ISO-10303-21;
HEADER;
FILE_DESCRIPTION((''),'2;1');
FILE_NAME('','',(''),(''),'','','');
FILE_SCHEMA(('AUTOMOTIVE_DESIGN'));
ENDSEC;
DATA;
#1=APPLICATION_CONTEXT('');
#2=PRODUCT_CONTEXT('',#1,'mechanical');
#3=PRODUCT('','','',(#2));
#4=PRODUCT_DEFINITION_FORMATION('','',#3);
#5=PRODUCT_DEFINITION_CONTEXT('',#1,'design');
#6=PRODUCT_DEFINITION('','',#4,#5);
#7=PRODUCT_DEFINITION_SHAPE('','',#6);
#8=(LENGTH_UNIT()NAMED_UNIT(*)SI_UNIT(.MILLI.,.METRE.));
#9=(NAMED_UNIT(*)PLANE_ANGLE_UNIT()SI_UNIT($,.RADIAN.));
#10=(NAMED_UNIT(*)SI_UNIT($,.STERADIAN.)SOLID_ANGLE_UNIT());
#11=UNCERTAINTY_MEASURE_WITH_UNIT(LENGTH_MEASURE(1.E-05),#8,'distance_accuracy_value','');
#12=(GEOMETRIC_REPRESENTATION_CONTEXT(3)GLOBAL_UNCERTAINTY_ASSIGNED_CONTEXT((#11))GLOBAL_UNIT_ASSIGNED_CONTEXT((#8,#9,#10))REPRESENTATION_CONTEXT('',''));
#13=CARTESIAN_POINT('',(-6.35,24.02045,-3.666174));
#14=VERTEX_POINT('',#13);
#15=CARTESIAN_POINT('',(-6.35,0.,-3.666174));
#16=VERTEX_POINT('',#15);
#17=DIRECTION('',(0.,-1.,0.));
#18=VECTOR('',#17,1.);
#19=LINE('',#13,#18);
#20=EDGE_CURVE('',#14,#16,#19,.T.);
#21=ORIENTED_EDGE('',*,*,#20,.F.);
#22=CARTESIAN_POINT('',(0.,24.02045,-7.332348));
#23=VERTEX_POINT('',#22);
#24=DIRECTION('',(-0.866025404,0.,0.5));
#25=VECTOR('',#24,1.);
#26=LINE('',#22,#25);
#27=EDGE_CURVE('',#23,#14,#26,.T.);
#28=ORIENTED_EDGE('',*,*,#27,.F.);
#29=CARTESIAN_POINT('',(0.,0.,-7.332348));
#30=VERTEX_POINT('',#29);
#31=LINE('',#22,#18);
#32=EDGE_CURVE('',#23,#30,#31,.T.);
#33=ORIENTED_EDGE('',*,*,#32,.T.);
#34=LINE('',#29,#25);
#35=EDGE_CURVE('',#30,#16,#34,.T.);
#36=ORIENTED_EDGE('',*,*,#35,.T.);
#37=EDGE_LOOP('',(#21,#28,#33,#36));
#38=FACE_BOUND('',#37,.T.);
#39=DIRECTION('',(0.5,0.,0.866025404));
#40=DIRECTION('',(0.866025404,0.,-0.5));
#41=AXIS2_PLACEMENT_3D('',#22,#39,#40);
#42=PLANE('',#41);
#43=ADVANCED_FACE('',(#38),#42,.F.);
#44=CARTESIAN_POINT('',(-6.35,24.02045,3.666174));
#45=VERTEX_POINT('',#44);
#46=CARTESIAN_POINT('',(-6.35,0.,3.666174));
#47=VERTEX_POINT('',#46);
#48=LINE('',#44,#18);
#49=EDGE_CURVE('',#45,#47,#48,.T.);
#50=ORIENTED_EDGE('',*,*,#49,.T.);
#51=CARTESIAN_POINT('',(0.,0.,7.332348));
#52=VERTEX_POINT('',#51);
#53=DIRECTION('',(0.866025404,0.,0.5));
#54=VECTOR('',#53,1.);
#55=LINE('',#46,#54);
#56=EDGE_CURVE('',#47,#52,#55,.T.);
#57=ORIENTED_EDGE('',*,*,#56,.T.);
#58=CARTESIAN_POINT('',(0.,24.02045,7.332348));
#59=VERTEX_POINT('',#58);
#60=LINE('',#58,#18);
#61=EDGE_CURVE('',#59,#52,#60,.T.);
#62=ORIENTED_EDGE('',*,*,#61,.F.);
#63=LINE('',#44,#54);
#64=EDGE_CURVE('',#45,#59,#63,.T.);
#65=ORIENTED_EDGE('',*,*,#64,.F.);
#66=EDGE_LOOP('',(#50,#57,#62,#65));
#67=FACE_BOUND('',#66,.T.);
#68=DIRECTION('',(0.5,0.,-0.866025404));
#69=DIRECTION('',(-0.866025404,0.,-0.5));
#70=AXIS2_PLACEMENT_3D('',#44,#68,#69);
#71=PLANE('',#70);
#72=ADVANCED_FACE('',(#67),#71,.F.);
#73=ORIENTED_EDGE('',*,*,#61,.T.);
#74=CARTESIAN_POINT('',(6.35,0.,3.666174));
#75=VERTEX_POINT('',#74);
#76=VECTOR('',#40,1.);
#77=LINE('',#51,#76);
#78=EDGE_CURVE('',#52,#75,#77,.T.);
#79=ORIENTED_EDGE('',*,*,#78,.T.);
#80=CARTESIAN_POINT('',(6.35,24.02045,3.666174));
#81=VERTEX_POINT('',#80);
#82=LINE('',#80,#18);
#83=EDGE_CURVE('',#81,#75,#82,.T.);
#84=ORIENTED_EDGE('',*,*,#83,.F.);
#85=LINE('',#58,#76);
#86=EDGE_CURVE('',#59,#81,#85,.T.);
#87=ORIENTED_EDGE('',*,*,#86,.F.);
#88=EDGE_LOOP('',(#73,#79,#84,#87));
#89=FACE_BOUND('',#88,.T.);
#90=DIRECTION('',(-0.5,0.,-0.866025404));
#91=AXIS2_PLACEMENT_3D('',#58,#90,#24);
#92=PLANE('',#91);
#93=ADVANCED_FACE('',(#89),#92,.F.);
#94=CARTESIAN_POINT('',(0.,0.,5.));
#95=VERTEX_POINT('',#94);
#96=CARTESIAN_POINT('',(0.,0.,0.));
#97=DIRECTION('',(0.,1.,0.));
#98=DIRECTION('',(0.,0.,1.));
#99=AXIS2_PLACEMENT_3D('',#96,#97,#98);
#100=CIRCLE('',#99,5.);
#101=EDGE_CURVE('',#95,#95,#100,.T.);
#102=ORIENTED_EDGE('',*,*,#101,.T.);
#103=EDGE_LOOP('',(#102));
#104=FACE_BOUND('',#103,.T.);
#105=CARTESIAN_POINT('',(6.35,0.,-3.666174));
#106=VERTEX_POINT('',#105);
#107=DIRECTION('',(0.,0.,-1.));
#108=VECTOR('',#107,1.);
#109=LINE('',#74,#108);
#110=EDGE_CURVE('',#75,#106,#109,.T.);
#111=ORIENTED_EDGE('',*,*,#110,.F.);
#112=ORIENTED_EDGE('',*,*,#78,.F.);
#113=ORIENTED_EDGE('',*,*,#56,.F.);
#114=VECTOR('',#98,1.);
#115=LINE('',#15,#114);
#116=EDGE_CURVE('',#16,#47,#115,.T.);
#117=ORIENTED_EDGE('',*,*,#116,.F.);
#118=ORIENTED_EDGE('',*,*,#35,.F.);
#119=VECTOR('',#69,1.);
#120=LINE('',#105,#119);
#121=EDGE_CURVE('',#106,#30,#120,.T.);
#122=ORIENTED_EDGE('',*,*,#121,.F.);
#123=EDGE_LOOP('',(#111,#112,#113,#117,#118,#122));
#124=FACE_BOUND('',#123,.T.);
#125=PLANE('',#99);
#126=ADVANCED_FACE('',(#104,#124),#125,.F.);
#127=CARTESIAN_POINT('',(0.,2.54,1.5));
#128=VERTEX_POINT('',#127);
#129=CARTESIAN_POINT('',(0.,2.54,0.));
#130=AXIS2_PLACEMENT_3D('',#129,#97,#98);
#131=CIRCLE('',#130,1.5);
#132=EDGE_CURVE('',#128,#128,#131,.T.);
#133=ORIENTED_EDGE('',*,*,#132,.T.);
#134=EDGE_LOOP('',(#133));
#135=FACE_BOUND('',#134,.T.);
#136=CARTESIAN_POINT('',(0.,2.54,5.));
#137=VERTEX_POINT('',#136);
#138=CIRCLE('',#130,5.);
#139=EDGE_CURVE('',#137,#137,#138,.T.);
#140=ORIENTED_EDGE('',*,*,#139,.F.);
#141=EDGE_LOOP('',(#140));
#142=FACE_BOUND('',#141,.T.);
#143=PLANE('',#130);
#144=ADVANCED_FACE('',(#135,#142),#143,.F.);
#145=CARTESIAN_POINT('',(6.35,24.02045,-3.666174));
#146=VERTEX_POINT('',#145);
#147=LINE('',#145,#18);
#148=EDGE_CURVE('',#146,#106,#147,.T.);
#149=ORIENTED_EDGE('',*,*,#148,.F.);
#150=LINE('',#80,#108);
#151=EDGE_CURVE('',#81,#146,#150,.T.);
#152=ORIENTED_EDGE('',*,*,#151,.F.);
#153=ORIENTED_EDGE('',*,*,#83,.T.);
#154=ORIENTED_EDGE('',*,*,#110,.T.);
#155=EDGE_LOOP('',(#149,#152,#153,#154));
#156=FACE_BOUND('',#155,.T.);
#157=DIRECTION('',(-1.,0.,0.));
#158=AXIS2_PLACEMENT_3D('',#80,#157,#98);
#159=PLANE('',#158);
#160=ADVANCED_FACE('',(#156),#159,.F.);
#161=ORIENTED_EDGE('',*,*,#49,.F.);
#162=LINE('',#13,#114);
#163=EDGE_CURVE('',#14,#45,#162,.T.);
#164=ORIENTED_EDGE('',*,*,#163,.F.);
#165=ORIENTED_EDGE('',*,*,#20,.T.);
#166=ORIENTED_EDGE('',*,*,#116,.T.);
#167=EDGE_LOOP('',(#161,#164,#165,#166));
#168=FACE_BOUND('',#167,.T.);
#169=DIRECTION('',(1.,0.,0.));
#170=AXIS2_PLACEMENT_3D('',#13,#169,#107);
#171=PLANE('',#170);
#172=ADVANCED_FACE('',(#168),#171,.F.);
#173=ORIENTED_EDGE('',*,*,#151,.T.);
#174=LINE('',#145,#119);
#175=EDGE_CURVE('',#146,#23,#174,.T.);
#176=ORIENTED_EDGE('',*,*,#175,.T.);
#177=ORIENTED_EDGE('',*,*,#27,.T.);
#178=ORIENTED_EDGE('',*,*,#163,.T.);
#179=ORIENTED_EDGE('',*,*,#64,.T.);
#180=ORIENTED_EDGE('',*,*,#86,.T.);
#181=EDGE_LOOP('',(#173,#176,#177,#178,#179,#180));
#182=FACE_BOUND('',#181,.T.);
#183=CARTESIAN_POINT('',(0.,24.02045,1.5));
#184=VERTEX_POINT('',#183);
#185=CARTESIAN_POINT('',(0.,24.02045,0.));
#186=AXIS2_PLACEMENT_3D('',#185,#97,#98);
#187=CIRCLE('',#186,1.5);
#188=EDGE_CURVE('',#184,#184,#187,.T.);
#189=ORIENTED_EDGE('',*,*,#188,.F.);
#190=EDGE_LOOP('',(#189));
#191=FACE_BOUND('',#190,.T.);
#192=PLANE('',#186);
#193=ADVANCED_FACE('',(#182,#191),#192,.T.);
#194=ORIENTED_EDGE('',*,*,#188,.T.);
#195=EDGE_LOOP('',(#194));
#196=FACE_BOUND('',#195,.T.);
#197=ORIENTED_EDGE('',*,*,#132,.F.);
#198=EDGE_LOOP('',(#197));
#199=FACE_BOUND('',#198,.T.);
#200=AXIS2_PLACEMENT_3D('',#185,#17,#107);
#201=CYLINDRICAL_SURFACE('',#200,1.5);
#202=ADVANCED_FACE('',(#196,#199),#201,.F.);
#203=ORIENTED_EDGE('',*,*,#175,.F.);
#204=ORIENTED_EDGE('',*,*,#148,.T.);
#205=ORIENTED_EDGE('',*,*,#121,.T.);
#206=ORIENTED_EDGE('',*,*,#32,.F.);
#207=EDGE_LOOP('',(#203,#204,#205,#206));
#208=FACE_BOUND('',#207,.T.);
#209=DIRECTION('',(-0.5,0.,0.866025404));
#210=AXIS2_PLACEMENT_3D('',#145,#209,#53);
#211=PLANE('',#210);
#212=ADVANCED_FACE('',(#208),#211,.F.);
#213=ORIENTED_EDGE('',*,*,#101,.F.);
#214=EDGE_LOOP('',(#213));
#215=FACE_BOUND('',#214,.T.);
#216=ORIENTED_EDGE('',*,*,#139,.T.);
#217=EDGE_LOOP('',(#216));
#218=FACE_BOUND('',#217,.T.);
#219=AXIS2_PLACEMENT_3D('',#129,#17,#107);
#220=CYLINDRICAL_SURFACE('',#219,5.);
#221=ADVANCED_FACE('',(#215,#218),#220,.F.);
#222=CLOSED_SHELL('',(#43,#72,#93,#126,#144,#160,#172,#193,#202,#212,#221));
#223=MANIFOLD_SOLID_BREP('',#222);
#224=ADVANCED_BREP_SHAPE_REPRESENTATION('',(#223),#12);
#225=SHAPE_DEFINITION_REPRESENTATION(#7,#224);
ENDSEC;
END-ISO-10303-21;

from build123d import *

# Parameters (mm, degrees)
SKETCH1_R           = 1.5
BOSS_EXTRUDE1_DEPTH = 24.0204498
SKETCH2_R           = 5
CUT_EXTRUDE1_DEPTH  = 2.54


with BuildPart() as part:
    # Sketch1 → Boss-Extrude1 (new body)
    with BuildSketch(Plane(origin=(0, 0, 0), x_dir=(1, 0, 0), z_dir=(0, 1, 0))):
        Polygon((0, 7.332348419), (-6.35, 3.666174209), (-6.35, -3.666174209), (0, -7.332348419), (6.35, -3.666174209), (6.35, 3.666174209), align=None)
        with Locations(Location((0, 0, 0), (0, 0, 270))):
            Circle(SKETCH1_R, mode=Mode.SUBTRACT)
    extrude(amount=BOSS_EXTRUDE1_DEPTH)

    # Sketch2 → Cut-Extrude1 (cut)
    with BuildSketch(Plane(origin=(0, 0, 0), x_dir=(1, 0, 0), z_dir=(0, 1, 0))):
        with Locations(Location((0, 0, 0), (0, 0, 270))):
            Circle(SKETCH2_R)
    extrude(amount=CUT_EXTRUDE1_DEPTH, mode=Mode.SUBTRACT)


solid = part.part
